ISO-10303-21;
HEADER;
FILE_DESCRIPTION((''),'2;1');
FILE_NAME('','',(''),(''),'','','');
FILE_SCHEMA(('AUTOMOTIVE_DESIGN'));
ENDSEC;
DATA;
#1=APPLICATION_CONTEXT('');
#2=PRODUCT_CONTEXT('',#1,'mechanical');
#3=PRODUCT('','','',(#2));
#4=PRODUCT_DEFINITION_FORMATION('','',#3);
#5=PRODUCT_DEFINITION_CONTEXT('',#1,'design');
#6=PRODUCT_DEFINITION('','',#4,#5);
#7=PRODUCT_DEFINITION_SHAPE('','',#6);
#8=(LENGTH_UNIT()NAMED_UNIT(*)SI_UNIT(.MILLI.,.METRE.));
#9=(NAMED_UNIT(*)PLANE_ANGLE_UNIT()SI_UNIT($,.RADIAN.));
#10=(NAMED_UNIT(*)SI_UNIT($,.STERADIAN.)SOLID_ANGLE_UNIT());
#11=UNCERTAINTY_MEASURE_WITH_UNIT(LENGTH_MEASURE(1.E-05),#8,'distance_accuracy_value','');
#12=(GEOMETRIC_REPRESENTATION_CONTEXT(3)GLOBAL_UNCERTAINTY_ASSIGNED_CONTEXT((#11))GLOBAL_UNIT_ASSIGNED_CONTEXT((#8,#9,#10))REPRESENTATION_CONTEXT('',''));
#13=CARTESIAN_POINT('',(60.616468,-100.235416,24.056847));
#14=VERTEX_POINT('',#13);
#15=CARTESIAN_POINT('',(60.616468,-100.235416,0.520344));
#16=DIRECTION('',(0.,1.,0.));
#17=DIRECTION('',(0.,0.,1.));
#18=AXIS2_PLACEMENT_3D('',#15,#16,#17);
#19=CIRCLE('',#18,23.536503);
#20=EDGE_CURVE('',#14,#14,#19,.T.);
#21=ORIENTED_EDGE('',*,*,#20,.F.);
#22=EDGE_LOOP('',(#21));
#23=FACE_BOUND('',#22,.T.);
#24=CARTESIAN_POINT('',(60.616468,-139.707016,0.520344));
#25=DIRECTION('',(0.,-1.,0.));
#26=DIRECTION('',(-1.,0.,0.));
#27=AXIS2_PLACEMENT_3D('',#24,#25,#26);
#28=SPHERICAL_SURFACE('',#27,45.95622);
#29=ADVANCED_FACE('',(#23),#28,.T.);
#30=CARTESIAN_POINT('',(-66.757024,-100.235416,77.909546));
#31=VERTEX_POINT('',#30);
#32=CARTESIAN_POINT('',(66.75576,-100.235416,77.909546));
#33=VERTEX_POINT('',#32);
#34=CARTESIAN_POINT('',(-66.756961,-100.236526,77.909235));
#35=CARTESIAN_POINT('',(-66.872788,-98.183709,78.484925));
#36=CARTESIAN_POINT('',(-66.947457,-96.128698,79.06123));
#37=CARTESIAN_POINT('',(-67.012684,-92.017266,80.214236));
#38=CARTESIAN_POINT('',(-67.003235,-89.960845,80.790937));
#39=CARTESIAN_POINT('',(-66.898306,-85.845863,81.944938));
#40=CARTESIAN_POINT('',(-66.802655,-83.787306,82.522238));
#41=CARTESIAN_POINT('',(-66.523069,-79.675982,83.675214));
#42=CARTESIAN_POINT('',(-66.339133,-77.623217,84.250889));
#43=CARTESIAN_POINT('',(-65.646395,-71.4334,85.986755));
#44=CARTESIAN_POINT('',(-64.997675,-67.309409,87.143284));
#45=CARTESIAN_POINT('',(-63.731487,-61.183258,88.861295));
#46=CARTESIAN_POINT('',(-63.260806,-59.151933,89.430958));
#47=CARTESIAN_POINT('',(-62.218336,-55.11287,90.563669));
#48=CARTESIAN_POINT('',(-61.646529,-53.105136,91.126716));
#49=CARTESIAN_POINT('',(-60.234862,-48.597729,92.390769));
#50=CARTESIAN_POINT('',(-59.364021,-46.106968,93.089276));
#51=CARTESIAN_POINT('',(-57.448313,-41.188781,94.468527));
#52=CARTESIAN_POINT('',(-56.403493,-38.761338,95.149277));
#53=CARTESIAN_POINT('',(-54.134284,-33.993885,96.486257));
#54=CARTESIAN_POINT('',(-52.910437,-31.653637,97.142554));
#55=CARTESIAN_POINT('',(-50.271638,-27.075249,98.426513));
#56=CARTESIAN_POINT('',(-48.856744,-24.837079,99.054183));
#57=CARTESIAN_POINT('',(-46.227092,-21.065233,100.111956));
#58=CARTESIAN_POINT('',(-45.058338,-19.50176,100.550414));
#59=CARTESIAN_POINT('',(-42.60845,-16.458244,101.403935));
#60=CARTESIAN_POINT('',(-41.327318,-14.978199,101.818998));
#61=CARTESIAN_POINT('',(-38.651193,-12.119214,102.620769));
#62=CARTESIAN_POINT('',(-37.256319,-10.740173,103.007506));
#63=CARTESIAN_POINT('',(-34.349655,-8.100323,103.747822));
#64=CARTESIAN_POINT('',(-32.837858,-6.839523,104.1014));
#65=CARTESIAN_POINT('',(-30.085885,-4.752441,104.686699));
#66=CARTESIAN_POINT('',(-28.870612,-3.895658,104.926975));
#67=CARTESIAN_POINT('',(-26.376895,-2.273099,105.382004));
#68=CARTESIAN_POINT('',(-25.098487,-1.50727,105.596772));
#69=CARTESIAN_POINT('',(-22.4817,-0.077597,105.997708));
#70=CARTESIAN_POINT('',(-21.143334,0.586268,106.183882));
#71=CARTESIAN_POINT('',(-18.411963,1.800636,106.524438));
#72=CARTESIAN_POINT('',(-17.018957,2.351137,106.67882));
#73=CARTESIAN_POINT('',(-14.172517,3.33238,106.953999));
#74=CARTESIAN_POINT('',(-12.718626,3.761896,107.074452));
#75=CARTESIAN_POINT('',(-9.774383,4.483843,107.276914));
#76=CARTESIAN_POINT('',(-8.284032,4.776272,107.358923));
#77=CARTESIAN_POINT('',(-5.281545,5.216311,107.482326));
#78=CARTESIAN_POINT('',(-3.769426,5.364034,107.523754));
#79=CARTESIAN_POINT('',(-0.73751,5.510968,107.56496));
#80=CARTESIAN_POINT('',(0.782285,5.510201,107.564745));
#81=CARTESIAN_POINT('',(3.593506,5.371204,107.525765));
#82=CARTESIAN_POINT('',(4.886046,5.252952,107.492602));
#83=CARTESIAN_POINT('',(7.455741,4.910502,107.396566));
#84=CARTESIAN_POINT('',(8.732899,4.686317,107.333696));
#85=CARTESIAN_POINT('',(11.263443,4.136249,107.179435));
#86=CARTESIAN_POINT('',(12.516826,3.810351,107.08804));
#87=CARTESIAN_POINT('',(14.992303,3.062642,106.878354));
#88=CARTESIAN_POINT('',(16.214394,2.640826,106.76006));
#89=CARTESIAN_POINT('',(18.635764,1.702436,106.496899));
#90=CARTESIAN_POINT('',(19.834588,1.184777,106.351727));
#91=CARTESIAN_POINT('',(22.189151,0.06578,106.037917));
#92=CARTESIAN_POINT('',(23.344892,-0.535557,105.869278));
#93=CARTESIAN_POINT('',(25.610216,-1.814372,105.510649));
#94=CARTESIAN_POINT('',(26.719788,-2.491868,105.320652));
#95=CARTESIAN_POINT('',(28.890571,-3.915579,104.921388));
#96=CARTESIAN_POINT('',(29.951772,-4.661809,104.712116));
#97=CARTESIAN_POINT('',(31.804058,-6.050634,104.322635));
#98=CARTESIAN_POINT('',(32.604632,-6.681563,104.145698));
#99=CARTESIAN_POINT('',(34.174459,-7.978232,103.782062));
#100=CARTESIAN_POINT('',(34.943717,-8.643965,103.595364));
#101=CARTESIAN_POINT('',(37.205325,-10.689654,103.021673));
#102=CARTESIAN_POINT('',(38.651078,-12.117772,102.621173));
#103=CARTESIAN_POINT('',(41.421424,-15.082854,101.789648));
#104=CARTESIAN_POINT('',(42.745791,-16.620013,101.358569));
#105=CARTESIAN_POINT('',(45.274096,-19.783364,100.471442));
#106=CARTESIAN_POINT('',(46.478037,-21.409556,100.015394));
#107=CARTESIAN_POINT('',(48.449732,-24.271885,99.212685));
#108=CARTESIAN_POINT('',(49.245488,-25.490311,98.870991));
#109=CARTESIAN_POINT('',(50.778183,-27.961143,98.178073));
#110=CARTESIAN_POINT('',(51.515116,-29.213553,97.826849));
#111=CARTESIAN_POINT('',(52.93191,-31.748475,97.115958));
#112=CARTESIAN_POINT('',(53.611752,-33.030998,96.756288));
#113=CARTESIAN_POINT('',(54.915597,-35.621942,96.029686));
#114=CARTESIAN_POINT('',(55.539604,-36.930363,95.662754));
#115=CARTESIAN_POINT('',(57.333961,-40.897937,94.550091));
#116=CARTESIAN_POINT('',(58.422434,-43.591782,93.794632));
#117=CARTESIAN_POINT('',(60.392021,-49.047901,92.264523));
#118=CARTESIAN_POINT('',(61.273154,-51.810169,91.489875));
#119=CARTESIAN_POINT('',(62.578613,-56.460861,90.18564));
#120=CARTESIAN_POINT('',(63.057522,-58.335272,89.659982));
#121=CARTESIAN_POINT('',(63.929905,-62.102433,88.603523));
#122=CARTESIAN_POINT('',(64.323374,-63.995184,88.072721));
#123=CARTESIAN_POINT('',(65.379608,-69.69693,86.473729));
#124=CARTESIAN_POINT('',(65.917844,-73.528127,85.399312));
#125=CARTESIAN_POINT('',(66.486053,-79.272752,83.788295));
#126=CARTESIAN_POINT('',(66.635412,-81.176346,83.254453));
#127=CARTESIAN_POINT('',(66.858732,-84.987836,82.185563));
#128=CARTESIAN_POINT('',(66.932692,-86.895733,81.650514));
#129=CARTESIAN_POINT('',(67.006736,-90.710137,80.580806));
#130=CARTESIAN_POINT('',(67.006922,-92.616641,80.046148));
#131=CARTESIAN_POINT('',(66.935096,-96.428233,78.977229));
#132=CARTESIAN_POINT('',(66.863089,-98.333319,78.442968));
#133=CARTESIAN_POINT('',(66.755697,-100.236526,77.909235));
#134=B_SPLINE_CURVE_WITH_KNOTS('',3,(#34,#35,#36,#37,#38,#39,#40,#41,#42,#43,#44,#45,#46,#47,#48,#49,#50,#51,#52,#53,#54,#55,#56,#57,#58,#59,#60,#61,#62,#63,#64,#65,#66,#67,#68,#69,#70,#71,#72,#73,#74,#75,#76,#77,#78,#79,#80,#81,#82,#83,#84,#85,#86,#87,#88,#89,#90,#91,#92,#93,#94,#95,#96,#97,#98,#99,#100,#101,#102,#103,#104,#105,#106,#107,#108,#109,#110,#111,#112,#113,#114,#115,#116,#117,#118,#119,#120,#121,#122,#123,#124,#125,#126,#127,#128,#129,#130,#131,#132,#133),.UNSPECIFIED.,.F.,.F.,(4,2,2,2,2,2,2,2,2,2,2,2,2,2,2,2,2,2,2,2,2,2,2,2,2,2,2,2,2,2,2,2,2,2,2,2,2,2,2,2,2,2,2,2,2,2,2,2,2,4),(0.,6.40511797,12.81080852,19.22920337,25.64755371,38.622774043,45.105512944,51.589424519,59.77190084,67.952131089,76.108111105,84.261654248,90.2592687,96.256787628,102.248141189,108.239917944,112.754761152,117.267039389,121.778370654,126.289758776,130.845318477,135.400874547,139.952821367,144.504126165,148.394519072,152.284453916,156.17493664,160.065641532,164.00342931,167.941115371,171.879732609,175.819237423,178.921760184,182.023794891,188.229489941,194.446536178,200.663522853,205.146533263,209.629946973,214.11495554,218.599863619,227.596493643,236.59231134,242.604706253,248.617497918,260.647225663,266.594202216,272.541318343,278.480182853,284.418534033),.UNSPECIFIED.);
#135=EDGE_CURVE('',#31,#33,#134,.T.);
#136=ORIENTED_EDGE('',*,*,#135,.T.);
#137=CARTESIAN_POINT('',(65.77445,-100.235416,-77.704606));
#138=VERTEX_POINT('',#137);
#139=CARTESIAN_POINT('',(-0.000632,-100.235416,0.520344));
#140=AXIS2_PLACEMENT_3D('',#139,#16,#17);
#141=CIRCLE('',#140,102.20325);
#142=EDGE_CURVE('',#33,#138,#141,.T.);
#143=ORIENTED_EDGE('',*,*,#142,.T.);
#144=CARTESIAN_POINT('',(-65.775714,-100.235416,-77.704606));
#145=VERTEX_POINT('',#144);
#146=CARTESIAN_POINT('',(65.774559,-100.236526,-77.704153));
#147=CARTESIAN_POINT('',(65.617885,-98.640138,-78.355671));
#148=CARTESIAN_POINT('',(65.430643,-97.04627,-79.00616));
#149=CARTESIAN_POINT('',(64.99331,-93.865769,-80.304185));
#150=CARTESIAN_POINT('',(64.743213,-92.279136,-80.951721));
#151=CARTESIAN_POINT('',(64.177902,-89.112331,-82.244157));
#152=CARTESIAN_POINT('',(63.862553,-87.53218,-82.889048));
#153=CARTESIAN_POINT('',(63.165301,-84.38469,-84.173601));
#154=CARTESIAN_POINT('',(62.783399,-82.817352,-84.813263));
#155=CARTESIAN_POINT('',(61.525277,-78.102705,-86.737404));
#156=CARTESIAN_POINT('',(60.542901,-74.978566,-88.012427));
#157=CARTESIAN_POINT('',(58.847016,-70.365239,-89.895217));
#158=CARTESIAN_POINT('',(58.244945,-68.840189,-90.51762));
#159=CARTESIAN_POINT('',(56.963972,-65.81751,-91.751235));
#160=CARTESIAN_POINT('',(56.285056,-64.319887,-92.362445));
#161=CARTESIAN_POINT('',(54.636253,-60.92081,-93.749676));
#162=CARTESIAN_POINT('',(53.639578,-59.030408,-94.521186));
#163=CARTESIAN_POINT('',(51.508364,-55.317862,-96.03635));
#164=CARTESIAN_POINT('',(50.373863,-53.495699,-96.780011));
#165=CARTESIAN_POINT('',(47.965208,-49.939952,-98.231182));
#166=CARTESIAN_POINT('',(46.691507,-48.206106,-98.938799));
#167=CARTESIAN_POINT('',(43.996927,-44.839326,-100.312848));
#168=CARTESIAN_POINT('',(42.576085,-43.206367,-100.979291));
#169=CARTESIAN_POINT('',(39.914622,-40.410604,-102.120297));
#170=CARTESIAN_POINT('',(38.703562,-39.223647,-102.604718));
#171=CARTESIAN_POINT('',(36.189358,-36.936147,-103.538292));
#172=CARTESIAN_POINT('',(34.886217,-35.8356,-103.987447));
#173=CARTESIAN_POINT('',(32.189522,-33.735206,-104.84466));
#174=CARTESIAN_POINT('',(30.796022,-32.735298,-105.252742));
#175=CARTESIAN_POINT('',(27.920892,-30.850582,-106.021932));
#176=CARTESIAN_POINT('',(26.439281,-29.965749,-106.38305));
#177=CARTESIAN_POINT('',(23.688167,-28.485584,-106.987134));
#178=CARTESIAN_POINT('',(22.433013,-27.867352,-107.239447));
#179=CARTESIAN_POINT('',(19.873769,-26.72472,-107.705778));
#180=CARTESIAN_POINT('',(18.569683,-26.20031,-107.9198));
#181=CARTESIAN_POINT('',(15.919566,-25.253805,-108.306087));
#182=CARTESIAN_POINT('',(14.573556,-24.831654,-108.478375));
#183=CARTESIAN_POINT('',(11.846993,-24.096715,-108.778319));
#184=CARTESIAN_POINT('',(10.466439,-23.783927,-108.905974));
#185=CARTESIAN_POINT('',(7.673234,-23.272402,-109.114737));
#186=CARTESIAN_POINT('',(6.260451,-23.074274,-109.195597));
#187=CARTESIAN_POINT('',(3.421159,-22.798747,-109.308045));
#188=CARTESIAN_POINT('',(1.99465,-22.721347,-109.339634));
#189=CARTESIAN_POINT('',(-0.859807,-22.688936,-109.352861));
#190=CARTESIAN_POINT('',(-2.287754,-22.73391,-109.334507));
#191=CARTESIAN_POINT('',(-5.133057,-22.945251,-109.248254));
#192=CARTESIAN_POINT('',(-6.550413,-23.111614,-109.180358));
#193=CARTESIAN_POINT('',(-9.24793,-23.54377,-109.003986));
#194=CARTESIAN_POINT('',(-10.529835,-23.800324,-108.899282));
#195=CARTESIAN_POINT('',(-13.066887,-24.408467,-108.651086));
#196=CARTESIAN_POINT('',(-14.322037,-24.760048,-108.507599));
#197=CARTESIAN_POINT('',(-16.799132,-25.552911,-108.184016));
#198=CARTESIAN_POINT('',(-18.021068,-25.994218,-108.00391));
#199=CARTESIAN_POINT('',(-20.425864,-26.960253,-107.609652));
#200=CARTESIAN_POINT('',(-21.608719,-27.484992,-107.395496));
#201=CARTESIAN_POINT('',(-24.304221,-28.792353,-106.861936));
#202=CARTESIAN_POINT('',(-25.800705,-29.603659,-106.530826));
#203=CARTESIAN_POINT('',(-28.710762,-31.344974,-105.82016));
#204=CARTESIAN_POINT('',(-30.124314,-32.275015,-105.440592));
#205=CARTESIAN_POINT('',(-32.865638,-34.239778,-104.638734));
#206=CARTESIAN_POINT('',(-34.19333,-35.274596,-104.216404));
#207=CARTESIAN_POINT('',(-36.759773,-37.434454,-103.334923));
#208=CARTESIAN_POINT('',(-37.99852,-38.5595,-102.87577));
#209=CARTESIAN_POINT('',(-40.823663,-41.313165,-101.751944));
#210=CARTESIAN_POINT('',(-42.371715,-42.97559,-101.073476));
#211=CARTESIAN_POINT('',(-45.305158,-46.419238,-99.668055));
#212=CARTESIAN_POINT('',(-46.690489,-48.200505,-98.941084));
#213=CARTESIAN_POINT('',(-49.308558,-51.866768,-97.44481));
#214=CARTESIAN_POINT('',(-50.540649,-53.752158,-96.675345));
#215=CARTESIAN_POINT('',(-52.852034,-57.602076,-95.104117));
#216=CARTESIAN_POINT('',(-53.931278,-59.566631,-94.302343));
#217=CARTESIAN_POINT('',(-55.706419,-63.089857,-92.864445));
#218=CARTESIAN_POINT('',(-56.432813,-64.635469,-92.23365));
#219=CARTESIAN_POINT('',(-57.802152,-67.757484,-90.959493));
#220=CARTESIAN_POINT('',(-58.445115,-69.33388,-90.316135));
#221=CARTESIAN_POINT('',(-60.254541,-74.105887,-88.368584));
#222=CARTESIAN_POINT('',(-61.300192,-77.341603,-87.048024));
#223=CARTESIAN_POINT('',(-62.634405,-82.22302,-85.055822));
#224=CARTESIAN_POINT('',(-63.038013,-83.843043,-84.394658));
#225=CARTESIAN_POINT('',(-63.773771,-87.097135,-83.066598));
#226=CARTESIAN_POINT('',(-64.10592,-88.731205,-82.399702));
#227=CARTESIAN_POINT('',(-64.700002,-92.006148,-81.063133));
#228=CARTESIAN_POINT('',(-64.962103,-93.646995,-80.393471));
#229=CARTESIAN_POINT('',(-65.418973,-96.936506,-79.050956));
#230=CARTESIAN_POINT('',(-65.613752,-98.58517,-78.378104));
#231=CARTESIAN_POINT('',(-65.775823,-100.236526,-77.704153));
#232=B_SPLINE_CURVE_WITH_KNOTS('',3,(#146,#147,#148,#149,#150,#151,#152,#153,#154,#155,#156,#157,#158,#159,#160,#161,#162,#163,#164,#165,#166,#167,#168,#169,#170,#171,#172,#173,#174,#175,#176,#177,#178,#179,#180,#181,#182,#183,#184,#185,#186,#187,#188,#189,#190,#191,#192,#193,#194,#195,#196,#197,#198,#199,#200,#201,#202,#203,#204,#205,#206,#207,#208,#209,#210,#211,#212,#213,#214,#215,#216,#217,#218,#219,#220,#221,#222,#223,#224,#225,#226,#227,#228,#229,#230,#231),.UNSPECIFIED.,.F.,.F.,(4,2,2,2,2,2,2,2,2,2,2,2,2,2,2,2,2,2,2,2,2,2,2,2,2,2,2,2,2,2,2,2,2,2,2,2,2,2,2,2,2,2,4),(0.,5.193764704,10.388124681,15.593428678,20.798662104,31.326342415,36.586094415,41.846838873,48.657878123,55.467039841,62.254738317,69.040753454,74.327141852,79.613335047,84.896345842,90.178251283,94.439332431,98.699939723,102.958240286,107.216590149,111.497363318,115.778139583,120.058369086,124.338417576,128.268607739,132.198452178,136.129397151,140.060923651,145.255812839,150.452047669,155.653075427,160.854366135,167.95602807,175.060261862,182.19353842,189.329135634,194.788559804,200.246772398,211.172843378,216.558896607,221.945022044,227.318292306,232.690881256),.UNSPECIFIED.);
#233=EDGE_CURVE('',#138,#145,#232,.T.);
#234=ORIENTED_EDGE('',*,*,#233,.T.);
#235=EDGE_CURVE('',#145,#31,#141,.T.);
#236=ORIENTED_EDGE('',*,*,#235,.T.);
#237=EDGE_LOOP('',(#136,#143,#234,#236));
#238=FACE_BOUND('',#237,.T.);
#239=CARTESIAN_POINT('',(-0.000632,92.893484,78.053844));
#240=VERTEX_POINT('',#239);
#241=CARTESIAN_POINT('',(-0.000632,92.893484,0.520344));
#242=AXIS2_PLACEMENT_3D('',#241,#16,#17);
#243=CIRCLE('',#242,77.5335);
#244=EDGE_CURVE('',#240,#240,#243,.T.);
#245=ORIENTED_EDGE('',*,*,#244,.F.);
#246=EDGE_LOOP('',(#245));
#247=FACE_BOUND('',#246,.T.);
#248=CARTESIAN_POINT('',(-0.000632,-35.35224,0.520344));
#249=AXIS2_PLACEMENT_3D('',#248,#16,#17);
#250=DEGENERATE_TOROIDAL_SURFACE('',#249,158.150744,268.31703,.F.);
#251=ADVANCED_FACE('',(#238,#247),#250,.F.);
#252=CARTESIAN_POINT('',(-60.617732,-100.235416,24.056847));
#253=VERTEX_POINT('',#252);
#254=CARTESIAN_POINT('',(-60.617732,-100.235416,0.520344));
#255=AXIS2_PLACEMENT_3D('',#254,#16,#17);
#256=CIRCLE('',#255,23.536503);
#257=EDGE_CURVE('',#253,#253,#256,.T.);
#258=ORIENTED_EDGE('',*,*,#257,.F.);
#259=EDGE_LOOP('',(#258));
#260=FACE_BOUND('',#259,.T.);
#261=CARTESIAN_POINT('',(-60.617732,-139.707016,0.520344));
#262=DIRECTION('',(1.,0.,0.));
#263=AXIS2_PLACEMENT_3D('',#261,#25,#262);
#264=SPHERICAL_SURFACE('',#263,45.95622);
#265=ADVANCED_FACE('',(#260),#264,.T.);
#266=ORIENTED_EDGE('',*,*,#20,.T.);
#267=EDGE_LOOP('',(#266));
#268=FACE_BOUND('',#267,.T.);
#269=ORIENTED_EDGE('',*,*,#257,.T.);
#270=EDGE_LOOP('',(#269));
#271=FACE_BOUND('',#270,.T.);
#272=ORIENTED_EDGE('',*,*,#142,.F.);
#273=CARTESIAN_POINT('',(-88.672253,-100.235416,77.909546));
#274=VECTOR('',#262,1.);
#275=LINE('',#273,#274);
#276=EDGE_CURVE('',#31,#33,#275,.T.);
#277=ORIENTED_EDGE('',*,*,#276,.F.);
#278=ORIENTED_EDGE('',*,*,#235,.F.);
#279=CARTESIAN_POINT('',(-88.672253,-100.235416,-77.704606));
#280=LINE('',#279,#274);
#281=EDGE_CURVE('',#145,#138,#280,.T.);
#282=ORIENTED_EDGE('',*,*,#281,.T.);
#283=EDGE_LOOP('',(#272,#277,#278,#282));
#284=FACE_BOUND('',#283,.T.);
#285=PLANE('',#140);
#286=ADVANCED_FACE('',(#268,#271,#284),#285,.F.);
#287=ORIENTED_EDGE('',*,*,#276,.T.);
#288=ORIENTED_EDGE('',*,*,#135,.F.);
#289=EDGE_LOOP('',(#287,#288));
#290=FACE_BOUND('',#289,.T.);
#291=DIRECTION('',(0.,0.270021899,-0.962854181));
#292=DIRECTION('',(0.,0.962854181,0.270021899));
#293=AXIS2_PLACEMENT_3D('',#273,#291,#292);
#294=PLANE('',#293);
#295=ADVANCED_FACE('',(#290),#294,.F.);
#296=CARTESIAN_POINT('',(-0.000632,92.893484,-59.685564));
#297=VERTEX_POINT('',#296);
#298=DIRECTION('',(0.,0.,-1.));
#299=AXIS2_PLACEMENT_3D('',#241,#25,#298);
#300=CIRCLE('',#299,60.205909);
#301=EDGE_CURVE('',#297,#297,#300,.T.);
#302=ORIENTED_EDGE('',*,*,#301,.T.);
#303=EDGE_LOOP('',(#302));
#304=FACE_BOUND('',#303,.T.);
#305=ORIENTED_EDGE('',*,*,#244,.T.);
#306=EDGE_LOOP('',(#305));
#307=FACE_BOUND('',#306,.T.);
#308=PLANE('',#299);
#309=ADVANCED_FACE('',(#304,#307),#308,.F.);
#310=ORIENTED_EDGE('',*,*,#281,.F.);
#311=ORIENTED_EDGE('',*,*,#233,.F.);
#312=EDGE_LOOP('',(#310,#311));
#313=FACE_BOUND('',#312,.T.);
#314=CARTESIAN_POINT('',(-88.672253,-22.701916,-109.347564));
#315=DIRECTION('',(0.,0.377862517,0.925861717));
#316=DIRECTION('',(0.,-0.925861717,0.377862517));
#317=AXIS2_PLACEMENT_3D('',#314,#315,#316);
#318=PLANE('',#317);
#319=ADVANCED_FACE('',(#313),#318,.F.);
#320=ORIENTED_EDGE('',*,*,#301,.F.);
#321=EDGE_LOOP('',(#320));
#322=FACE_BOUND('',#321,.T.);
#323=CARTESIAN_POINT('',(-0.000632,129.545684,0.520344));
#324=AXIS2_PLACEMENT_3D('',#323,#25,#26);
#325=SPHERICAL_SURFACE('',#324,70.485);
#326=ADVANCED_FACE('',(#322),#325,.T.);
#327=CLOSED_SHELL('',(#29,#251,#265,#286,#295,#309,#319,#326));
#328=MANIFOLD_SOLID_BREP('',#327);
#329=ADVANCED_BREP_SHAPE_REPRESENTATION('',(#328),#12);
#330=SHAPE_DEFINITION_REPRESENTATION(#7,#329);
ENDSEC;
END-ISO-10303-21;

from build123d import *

# Parameters (mm, degrees)
CUT_EXTRUDE1_DEPTH = 15.976868681
SCALE1_SCALE       = 5.55


with BuildPart() as part:
    # Sketch1 → Base-Revolve (revolve)
    with BuildSketch(Plane.XY):
        with BuildLine():
            Line((0, 17.399), (0, -17.399))
            Line((0, -17.399), (18.415, -17.399))
            ThreePointArc((18.415, -17.399), (19.460122177, 0.417396993), (13.97, 17.399))
            Line((13.97, 17.399), (0, 17.399))
        make_face()
    revolve(axis=Axis((0, 64.099865047, 0), (0, -1, 0)))

    # Sketch2 → Cut-Extrude1 (cut, symmetric)
    with BuildSketch(Plane(origin=(0, 0, 0), x_dir=(0, 0, -1), z_dir=(1, 0, 0))):
        Polygon((-13.944000247, -17.399), (-19.286363897, 1.651), (-22.841821799, 1.651), (-22.841821799, -17.894237605), (-13.944000247, -17.894237605), align=None)
        Polygon((19.796019511, -3.429), (22.737840025, -3.429), (22.737840025, -17.894237605), (14.094585635, -17.894237605), (14.094585635, -17.399), align=None)
    extrude(amount=CUT_EXTRUDE1_DEPTH, both=True, mode=Mode.SUBTRACT)

    # Sketch3 → Boss-Revolve1 (revolve)
    with BuildSketch(Plane.XY):
        with BuildLine():
            Line((0, 36.703), (0, 11.303))
            ThreePointArc((0, 11.303), (12.7, 24.003), (0, 36.703))
        make_face()
    revolve(axis=Axis((0, 0, 0), (0, 1, 0)))

    # Sketch5 → Boss-Revolve2 (revolve)
    with BuildSketch(Plane.XY):
        with BuildLine():
            Line((10.922, -16.2306), (10.922, -32.7914))
            ThreePointArc((10.922, -32.7914), (19.2024, -24.511), (10.922, -16.2306))
        make_face()
    boss_revolve2 = revolve(axis=Axis((10.922, -36.241550195, 0), (0, 1, 0)))

    # Mirror1: Boss-Revolve2 across plane
    add(boss_revolve2.mirror(Plane(origin=(0, 0, 0), x_dir=(0, 0, 1), z_dir=(1, 0, 0))))


with BuildPart() as part_1:
    # Scale1: scaled about (-1.79e-07, 0.806776092, -0.114453365)
    add(part.part.scale(SCALE1_SCALE).moved(Location((8.14e-07, -3.670831219, 0.520762811))))


solid = part_1.part
